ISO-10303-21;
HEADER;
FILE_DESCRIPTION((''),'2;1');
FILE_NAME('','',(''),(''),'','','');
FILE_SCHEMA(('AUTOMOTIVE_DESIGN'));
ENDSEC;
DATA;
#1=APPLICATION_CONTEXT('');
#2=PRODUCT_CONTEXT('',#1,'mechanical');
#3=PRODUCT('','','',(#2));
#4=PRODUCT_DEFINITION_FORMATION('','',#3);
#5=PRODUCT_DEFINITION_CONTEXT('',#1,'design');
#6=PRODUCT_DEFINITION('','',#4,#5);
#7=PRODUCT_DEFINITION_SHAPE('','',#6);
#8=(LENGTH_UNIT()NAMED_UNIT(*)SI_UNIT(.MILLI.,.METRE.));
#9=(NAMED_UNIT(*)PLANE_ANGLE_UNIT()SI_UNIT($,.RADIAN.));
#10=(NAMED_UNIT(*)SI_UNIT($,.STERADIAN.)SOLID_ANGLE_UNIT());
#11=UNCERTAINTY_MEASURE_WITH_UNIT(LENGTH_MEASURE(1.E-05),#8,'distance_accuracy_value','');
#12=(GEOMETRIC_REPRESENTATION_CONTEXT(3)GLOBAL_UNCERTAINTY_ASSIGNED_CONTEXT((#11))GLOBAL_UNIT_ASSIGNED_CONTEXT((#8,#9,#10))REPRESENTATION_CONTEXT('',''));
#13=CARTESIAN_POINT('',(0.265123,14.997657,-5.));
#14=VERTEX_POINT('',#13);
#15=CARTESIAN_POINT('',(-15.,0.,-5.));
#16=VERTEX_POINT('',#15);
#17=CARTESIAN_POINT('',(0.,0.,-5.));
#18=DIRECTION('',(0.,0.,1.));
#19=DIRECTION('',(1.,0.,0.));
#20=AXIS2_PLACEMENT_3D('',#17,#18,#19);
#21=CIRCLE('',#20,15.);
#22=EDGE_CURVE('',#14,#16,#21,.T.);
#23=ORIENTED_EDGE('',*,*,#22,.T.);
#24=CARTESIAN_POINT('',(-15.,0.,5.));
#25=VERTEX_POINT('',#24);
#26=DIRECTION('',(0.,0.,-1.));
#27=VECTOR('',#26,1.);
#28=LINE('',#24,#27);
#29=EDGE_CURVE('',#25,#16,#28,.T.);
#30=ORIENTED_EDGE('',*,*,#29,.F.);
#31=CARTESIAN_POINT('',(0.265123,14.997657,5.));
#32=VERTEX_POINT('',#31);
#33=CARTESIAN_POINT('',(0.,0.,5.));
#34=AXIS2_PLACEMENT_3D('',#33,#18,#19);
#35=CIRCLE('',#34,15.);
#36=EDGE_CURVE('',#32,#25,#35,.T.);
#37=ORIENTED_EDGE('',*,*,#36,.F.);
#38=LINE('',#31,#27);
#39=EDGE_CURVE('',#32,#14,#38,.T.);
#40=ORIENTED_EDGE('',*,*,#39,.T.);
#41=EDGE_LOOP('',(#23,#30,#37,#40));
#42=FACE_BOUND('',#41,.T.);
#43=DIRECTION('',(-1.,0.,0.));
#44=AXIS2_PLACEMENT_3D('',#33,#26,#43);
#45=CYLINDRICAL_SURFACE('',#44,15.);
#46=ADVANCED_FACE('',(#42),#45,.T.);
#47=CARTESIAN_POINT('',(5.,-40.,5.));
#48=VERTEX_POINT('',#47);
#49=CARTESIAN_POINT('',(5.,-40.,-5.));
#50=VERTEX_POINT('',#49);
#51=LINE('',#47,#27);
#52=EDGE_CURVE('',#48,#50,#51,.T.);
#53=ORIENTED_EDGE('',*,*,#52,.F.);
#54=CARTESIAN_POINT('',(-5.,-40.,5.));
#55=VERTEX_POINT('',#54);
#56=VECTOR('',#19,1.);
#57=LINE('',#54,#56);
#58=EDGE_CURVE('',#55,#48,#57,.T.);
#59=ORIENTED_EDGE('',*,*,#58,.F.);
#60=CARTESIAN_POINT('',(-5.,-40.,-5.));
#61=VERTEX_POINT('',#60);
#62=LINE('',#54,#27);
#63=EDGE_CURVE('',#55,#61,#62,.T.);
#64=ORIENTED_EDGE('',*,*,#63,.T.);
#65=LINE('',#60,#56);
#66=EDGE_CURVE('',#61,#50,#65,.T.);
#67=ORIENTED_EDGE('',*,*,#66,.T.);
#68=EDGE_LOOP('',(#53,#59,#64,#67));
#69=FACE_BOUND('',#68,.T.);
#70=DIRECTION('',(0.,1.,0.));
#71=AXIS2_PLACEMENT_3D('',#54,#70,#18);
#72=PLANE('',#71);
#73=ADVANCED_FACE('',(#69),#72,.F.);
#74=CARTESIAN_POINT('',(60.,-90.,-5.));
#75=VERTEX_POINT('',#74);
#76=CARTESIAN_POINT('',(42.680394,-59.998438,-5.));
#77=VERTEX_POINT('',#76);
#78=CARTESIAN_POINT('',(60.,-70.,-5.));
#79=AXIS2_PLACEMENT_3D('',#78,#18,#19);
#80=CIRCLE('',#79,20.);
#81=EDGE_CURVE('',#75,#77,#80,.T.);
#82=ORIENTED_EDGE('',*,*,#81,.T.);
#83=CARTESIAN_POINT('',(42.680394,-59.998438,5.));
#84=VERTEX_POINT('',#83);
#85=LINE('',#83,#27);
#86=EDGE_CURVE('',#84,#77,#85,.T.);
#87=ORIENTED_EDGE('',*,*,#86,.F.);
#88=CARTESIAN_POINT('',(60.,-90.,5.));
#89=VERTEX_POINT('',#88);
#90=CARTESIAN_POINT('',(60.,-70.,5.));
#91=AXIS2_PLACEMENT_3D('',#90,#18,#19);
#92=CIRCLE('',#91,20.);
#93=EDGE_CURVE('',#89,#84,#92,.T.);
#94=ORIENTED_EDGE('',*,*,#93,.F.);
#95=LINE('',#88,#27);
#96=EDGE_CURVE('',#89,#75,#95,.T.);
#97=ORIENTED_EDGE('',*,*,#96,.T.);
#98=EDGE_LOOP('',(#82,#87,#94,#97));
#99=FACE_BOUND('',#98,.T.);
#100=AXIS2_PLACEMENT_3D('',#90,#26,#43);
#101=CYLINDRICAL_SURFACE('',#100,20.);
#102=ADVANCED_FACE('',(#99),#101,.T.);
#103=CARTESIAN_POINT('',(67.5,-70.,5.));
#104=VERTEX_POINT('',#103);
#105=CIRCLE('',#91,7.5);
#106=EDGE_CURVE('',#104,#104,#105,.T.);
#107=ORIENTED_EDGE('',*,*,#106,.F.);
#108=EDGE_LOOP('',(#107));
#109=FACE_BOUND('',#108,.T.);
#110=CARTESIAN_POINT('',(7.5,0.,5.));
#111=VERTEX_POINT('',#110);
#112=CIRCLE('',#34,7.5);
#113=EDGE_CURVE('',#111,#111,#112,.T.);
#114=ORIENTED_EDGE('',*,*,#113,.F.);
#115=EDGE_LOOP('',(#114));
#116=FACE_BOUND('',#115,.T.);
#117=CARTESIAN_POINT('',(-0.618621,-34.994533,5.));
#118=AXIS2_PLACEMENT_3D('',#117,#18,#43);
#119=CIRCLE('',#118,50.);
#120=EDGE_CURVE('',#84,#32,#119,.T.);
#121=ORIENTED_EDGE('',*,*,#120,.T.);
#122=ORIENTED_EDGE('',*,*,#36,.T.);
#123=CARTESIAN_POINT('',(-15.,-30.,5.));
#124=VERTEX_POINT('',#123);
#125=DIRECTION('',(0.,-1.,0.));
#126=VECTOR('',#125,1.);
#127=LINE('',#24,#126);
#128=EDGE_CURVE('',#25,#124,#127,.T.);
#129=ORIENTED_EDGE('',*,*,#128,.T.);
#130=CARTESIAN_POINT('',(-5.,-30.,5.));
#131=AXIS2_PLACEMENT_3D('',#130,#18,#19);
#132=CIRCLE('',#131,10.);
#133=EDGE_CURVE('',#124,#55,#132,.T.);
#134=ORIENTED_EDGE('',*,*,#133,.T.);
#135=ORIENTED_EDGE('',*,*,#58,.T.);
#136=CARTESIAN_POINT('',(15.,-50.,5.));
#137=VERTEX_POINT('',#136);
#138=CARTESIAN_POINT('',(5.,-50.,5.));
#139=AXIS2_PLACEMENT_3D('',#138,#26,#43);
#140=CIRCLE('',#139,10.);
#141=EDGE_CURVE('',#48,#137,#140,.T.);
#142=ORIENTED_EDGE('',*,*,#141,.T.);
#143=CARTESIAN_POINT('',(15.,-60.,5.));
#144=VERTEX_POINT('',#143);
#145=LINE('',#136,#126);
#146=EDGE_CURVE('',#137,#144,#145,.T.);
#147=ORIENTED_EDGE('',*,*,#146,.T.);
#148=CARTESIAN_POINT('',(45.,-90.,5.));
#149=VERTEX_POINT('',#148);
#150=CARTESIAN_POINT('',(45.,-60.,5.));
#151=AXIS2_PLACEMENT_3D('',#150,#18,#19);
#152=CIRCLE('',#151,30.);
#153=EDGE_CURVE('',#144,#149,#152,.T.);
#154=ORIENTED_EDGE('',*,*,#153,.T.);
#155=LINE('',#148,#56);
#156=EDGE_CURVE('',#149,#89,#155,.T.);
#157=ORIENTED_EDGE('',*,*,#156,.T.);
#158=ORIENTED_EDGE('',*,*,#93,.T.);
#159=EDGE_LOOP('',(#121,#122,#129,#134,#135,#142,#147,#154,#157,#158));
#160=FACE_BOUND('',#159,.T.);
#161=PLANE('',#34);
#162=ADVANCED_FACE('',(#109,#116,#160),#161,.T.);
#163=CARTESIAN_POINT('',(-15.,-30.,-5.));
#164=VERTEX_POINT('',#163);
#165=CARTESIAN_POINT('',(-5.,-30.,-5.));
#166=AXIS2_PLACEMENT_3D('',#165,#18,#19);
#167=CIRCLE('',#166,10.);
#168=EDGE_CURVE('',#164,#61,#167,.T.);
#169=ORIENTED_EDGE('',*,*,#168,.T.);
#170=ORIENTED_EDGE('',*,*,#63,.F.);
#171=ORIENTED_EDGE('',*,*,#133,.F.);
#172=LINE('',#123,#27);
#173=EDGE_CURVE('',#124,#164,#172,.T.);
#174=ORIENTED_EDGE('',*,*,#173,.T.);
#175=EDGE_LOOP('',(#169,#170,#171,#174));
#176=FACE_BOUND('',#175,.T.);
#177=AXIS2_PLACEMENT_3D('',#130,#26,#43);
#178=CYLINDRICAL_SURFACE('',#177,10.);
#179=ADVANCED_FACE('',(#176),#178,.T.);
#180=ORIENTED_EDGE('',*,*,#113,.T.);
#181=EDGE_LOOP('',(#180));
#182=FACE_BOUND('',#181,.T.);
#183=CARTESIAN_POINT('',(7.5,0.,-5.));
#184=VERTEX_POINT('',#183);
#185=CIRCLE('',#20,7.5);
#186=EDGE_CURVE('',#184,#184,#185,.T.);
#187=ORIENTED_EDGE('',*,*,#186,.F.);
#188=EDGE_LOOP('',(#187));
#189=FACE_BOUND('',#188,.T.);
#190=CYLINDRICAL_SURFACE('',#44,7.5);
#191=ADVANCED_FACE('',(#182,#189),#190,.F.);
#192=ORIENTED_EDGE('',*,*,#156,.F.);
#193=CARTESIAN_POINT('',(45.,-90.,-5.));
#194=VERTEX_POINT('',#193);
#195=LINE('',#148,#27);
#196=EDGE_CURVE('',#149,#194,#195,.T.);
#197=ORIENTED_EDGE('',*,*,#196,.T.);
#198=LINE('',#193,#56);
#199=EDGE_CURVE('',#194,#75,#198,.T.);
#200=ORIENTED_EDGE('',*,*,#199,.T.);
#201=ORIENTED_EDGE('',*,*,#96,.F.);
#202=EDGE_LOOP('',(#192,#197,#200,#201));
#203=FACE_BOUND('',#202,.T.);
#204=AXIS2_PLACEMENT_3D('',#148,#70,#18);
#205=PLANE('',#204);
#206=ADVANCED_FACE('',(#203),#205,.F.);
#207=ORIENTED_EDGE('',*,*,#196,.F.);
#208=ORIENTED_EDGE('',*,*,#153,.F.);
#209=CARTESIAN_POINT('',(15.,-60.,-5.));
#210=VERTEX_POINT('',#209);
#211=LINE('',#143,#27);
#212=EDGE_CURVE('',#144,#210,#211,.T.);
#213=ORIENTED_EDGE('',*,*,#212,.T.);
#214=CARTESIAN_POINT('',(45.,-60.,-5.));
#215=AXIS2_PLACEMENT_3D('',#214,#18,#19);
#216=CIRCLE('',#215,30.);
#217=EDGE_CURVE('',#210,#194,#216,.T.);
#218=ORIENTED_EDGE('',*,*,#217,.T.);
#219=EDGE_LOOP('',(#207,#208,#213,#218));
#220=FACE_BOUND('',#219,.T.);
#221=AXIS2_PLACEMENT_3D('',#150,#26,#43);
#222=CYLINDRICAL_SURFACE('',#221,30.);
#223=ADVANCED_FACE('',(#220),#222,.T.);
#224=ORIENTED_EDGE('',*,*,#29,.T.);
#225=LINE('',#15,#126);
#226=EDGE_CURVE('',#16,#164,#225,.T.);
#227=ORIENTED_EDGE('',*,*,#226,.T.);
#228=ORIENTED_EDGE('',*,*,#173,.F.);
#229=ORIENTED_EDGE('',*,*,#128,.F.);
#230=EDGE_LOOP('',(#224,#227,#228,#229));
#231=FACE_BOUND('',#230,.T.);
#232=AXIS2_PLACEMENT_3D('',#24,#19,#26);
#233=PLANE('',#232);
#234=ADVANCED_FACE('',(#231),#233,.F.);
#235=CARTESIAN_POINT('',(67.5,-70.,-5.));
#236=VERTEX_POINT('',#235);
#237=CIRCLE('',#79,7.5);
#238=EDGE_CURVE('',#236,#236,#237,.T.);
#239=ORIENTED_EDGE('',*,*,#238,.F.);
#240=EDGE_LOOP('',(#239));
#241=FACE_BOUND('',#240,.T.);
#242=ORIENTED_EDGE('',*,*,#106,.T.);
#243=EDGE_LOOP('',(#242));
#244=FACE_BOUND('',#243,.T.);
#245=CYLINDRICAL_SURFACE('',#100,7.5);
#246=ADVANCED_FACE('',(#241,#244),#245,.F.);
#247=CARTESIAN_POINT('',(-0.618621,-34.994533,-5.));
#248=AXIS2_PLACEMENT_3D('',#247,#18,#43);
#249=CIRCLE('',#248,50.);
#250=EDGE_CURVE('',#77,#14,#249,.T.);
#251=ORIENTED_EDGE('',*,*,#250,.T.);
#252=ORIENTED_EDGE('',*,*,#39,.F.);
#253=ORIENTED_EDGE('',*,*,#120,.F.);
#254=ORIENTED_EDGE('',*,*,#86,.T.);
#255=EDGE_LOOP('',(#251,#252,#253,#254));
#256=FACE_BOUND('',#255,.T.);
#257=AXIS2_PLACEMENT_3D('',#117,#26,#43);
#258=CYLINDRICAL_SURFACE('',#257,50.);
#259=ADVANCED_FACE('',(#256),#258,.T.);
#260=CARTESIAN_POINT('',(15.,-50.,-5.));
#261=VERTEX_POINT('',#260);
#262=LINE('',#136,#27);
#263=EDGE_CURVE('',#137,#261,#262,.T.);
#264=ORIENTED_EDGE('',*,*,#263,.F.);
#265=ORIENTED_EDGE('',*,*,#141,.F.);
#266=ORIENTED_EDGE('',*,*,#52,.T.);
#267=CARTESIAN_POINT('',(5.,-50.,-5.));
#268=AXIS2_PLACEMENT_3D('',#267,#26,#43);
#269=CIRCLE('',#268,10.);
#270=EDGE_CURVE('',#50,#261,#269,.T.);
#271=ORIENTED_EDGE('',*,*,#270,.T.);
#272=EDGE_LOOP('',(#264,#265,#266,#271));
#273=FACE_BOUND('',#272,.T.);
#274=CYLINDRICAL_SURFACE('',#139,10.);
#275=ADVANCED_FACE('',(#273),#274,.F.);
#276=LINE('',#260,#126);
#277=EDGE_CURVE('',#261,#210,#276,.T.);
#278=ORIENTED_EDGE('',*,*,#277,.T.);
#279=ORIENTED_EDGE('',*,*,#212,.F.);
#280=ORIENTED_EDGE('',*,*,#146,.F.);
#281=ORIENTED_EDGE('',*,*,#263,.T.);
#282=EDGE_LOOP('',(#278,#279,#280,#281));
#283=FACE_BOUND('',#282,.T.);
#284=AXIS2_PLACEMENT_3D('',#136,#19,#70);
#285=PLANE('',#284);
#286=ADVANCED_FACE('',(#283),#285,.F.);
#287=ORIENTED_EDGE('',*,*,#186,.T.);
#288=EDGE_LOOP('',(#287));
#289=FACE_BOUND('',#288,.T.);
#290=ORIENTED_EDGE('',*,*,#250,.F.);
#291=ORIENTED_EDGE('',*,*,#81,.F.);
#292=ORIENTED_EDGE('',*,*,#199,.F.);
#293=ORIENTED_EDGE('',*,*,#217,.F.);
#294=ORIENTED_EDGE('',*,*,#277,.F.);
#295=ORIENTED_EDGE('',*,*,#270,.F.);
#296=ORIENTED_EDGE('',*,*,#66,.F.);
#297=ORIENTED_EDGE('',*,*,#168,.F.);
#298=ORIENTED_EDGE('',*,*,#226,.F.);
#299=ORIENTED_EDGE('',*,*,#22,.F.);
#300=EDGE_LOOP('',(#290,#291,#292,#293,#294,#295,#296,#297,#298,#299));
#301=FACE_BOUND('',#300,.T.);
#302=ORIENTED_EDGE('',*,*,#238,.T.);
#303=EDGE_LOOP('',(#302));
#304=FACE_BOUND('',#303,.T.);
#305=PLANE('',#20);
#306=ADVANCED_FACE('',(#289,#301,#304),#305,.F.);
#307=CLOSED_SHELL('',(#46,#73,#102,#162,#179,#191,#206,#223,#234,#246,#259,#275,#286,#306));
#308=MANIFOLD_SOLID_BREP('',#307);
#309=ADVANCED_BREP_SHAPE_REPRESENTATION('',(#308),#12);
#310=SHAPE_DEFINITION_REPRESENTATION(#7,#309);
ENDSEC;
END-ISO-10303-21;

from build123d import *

# Parameters (mm, degrees)
SKETCH1_R           = 7.5
BOSS_EXTRUDE1_DEPTH = 5


with BuildPart() as part:
    # Sketch1 → Boss-Extrude1 (new body, symmetric)
    with BuildSketch(Plane.XY):
        with BuildLine():
            Line((-15, 0), (-15, -30))
            ThreePointArc((-15, -30), (-12.071067812, -37.071067812), (-5, -40))
            Line((-5, -40), (5, -40))
            ThreePointArc((5, -40), (12.071067812, -42.928932188), (15, -50))
            Line((15, -50), (15, -60))
            ThreePointArc((15, -60), (23.786796564, -81.213203436), (45, -90))
            Line((45, -90), (60, -90))
            ThreePointArc((60, -90), (77.320959018, -60.000781096), (42.680393915, -59.998437869))
            ThreePointArc((42.680393915, -59.998437869), (42.903012663, -10.380159149), (0.265123413, 14.997656803))
            ThreePointArc((0.265123413, 14.997656803), (-10.512448545, 10.699926429), (-15, 0))
        make_face()
        Circle(SKETCH1_R, mode=Mode.SUBTRACT)
        with Locations((60, -70)):
            Circle(SKETCH1_R, mode=Mode.SUBTRACT)
    extrude(amount=BOSS_EXTRUDE1_DEPTH, both=True)


solid = part.part
